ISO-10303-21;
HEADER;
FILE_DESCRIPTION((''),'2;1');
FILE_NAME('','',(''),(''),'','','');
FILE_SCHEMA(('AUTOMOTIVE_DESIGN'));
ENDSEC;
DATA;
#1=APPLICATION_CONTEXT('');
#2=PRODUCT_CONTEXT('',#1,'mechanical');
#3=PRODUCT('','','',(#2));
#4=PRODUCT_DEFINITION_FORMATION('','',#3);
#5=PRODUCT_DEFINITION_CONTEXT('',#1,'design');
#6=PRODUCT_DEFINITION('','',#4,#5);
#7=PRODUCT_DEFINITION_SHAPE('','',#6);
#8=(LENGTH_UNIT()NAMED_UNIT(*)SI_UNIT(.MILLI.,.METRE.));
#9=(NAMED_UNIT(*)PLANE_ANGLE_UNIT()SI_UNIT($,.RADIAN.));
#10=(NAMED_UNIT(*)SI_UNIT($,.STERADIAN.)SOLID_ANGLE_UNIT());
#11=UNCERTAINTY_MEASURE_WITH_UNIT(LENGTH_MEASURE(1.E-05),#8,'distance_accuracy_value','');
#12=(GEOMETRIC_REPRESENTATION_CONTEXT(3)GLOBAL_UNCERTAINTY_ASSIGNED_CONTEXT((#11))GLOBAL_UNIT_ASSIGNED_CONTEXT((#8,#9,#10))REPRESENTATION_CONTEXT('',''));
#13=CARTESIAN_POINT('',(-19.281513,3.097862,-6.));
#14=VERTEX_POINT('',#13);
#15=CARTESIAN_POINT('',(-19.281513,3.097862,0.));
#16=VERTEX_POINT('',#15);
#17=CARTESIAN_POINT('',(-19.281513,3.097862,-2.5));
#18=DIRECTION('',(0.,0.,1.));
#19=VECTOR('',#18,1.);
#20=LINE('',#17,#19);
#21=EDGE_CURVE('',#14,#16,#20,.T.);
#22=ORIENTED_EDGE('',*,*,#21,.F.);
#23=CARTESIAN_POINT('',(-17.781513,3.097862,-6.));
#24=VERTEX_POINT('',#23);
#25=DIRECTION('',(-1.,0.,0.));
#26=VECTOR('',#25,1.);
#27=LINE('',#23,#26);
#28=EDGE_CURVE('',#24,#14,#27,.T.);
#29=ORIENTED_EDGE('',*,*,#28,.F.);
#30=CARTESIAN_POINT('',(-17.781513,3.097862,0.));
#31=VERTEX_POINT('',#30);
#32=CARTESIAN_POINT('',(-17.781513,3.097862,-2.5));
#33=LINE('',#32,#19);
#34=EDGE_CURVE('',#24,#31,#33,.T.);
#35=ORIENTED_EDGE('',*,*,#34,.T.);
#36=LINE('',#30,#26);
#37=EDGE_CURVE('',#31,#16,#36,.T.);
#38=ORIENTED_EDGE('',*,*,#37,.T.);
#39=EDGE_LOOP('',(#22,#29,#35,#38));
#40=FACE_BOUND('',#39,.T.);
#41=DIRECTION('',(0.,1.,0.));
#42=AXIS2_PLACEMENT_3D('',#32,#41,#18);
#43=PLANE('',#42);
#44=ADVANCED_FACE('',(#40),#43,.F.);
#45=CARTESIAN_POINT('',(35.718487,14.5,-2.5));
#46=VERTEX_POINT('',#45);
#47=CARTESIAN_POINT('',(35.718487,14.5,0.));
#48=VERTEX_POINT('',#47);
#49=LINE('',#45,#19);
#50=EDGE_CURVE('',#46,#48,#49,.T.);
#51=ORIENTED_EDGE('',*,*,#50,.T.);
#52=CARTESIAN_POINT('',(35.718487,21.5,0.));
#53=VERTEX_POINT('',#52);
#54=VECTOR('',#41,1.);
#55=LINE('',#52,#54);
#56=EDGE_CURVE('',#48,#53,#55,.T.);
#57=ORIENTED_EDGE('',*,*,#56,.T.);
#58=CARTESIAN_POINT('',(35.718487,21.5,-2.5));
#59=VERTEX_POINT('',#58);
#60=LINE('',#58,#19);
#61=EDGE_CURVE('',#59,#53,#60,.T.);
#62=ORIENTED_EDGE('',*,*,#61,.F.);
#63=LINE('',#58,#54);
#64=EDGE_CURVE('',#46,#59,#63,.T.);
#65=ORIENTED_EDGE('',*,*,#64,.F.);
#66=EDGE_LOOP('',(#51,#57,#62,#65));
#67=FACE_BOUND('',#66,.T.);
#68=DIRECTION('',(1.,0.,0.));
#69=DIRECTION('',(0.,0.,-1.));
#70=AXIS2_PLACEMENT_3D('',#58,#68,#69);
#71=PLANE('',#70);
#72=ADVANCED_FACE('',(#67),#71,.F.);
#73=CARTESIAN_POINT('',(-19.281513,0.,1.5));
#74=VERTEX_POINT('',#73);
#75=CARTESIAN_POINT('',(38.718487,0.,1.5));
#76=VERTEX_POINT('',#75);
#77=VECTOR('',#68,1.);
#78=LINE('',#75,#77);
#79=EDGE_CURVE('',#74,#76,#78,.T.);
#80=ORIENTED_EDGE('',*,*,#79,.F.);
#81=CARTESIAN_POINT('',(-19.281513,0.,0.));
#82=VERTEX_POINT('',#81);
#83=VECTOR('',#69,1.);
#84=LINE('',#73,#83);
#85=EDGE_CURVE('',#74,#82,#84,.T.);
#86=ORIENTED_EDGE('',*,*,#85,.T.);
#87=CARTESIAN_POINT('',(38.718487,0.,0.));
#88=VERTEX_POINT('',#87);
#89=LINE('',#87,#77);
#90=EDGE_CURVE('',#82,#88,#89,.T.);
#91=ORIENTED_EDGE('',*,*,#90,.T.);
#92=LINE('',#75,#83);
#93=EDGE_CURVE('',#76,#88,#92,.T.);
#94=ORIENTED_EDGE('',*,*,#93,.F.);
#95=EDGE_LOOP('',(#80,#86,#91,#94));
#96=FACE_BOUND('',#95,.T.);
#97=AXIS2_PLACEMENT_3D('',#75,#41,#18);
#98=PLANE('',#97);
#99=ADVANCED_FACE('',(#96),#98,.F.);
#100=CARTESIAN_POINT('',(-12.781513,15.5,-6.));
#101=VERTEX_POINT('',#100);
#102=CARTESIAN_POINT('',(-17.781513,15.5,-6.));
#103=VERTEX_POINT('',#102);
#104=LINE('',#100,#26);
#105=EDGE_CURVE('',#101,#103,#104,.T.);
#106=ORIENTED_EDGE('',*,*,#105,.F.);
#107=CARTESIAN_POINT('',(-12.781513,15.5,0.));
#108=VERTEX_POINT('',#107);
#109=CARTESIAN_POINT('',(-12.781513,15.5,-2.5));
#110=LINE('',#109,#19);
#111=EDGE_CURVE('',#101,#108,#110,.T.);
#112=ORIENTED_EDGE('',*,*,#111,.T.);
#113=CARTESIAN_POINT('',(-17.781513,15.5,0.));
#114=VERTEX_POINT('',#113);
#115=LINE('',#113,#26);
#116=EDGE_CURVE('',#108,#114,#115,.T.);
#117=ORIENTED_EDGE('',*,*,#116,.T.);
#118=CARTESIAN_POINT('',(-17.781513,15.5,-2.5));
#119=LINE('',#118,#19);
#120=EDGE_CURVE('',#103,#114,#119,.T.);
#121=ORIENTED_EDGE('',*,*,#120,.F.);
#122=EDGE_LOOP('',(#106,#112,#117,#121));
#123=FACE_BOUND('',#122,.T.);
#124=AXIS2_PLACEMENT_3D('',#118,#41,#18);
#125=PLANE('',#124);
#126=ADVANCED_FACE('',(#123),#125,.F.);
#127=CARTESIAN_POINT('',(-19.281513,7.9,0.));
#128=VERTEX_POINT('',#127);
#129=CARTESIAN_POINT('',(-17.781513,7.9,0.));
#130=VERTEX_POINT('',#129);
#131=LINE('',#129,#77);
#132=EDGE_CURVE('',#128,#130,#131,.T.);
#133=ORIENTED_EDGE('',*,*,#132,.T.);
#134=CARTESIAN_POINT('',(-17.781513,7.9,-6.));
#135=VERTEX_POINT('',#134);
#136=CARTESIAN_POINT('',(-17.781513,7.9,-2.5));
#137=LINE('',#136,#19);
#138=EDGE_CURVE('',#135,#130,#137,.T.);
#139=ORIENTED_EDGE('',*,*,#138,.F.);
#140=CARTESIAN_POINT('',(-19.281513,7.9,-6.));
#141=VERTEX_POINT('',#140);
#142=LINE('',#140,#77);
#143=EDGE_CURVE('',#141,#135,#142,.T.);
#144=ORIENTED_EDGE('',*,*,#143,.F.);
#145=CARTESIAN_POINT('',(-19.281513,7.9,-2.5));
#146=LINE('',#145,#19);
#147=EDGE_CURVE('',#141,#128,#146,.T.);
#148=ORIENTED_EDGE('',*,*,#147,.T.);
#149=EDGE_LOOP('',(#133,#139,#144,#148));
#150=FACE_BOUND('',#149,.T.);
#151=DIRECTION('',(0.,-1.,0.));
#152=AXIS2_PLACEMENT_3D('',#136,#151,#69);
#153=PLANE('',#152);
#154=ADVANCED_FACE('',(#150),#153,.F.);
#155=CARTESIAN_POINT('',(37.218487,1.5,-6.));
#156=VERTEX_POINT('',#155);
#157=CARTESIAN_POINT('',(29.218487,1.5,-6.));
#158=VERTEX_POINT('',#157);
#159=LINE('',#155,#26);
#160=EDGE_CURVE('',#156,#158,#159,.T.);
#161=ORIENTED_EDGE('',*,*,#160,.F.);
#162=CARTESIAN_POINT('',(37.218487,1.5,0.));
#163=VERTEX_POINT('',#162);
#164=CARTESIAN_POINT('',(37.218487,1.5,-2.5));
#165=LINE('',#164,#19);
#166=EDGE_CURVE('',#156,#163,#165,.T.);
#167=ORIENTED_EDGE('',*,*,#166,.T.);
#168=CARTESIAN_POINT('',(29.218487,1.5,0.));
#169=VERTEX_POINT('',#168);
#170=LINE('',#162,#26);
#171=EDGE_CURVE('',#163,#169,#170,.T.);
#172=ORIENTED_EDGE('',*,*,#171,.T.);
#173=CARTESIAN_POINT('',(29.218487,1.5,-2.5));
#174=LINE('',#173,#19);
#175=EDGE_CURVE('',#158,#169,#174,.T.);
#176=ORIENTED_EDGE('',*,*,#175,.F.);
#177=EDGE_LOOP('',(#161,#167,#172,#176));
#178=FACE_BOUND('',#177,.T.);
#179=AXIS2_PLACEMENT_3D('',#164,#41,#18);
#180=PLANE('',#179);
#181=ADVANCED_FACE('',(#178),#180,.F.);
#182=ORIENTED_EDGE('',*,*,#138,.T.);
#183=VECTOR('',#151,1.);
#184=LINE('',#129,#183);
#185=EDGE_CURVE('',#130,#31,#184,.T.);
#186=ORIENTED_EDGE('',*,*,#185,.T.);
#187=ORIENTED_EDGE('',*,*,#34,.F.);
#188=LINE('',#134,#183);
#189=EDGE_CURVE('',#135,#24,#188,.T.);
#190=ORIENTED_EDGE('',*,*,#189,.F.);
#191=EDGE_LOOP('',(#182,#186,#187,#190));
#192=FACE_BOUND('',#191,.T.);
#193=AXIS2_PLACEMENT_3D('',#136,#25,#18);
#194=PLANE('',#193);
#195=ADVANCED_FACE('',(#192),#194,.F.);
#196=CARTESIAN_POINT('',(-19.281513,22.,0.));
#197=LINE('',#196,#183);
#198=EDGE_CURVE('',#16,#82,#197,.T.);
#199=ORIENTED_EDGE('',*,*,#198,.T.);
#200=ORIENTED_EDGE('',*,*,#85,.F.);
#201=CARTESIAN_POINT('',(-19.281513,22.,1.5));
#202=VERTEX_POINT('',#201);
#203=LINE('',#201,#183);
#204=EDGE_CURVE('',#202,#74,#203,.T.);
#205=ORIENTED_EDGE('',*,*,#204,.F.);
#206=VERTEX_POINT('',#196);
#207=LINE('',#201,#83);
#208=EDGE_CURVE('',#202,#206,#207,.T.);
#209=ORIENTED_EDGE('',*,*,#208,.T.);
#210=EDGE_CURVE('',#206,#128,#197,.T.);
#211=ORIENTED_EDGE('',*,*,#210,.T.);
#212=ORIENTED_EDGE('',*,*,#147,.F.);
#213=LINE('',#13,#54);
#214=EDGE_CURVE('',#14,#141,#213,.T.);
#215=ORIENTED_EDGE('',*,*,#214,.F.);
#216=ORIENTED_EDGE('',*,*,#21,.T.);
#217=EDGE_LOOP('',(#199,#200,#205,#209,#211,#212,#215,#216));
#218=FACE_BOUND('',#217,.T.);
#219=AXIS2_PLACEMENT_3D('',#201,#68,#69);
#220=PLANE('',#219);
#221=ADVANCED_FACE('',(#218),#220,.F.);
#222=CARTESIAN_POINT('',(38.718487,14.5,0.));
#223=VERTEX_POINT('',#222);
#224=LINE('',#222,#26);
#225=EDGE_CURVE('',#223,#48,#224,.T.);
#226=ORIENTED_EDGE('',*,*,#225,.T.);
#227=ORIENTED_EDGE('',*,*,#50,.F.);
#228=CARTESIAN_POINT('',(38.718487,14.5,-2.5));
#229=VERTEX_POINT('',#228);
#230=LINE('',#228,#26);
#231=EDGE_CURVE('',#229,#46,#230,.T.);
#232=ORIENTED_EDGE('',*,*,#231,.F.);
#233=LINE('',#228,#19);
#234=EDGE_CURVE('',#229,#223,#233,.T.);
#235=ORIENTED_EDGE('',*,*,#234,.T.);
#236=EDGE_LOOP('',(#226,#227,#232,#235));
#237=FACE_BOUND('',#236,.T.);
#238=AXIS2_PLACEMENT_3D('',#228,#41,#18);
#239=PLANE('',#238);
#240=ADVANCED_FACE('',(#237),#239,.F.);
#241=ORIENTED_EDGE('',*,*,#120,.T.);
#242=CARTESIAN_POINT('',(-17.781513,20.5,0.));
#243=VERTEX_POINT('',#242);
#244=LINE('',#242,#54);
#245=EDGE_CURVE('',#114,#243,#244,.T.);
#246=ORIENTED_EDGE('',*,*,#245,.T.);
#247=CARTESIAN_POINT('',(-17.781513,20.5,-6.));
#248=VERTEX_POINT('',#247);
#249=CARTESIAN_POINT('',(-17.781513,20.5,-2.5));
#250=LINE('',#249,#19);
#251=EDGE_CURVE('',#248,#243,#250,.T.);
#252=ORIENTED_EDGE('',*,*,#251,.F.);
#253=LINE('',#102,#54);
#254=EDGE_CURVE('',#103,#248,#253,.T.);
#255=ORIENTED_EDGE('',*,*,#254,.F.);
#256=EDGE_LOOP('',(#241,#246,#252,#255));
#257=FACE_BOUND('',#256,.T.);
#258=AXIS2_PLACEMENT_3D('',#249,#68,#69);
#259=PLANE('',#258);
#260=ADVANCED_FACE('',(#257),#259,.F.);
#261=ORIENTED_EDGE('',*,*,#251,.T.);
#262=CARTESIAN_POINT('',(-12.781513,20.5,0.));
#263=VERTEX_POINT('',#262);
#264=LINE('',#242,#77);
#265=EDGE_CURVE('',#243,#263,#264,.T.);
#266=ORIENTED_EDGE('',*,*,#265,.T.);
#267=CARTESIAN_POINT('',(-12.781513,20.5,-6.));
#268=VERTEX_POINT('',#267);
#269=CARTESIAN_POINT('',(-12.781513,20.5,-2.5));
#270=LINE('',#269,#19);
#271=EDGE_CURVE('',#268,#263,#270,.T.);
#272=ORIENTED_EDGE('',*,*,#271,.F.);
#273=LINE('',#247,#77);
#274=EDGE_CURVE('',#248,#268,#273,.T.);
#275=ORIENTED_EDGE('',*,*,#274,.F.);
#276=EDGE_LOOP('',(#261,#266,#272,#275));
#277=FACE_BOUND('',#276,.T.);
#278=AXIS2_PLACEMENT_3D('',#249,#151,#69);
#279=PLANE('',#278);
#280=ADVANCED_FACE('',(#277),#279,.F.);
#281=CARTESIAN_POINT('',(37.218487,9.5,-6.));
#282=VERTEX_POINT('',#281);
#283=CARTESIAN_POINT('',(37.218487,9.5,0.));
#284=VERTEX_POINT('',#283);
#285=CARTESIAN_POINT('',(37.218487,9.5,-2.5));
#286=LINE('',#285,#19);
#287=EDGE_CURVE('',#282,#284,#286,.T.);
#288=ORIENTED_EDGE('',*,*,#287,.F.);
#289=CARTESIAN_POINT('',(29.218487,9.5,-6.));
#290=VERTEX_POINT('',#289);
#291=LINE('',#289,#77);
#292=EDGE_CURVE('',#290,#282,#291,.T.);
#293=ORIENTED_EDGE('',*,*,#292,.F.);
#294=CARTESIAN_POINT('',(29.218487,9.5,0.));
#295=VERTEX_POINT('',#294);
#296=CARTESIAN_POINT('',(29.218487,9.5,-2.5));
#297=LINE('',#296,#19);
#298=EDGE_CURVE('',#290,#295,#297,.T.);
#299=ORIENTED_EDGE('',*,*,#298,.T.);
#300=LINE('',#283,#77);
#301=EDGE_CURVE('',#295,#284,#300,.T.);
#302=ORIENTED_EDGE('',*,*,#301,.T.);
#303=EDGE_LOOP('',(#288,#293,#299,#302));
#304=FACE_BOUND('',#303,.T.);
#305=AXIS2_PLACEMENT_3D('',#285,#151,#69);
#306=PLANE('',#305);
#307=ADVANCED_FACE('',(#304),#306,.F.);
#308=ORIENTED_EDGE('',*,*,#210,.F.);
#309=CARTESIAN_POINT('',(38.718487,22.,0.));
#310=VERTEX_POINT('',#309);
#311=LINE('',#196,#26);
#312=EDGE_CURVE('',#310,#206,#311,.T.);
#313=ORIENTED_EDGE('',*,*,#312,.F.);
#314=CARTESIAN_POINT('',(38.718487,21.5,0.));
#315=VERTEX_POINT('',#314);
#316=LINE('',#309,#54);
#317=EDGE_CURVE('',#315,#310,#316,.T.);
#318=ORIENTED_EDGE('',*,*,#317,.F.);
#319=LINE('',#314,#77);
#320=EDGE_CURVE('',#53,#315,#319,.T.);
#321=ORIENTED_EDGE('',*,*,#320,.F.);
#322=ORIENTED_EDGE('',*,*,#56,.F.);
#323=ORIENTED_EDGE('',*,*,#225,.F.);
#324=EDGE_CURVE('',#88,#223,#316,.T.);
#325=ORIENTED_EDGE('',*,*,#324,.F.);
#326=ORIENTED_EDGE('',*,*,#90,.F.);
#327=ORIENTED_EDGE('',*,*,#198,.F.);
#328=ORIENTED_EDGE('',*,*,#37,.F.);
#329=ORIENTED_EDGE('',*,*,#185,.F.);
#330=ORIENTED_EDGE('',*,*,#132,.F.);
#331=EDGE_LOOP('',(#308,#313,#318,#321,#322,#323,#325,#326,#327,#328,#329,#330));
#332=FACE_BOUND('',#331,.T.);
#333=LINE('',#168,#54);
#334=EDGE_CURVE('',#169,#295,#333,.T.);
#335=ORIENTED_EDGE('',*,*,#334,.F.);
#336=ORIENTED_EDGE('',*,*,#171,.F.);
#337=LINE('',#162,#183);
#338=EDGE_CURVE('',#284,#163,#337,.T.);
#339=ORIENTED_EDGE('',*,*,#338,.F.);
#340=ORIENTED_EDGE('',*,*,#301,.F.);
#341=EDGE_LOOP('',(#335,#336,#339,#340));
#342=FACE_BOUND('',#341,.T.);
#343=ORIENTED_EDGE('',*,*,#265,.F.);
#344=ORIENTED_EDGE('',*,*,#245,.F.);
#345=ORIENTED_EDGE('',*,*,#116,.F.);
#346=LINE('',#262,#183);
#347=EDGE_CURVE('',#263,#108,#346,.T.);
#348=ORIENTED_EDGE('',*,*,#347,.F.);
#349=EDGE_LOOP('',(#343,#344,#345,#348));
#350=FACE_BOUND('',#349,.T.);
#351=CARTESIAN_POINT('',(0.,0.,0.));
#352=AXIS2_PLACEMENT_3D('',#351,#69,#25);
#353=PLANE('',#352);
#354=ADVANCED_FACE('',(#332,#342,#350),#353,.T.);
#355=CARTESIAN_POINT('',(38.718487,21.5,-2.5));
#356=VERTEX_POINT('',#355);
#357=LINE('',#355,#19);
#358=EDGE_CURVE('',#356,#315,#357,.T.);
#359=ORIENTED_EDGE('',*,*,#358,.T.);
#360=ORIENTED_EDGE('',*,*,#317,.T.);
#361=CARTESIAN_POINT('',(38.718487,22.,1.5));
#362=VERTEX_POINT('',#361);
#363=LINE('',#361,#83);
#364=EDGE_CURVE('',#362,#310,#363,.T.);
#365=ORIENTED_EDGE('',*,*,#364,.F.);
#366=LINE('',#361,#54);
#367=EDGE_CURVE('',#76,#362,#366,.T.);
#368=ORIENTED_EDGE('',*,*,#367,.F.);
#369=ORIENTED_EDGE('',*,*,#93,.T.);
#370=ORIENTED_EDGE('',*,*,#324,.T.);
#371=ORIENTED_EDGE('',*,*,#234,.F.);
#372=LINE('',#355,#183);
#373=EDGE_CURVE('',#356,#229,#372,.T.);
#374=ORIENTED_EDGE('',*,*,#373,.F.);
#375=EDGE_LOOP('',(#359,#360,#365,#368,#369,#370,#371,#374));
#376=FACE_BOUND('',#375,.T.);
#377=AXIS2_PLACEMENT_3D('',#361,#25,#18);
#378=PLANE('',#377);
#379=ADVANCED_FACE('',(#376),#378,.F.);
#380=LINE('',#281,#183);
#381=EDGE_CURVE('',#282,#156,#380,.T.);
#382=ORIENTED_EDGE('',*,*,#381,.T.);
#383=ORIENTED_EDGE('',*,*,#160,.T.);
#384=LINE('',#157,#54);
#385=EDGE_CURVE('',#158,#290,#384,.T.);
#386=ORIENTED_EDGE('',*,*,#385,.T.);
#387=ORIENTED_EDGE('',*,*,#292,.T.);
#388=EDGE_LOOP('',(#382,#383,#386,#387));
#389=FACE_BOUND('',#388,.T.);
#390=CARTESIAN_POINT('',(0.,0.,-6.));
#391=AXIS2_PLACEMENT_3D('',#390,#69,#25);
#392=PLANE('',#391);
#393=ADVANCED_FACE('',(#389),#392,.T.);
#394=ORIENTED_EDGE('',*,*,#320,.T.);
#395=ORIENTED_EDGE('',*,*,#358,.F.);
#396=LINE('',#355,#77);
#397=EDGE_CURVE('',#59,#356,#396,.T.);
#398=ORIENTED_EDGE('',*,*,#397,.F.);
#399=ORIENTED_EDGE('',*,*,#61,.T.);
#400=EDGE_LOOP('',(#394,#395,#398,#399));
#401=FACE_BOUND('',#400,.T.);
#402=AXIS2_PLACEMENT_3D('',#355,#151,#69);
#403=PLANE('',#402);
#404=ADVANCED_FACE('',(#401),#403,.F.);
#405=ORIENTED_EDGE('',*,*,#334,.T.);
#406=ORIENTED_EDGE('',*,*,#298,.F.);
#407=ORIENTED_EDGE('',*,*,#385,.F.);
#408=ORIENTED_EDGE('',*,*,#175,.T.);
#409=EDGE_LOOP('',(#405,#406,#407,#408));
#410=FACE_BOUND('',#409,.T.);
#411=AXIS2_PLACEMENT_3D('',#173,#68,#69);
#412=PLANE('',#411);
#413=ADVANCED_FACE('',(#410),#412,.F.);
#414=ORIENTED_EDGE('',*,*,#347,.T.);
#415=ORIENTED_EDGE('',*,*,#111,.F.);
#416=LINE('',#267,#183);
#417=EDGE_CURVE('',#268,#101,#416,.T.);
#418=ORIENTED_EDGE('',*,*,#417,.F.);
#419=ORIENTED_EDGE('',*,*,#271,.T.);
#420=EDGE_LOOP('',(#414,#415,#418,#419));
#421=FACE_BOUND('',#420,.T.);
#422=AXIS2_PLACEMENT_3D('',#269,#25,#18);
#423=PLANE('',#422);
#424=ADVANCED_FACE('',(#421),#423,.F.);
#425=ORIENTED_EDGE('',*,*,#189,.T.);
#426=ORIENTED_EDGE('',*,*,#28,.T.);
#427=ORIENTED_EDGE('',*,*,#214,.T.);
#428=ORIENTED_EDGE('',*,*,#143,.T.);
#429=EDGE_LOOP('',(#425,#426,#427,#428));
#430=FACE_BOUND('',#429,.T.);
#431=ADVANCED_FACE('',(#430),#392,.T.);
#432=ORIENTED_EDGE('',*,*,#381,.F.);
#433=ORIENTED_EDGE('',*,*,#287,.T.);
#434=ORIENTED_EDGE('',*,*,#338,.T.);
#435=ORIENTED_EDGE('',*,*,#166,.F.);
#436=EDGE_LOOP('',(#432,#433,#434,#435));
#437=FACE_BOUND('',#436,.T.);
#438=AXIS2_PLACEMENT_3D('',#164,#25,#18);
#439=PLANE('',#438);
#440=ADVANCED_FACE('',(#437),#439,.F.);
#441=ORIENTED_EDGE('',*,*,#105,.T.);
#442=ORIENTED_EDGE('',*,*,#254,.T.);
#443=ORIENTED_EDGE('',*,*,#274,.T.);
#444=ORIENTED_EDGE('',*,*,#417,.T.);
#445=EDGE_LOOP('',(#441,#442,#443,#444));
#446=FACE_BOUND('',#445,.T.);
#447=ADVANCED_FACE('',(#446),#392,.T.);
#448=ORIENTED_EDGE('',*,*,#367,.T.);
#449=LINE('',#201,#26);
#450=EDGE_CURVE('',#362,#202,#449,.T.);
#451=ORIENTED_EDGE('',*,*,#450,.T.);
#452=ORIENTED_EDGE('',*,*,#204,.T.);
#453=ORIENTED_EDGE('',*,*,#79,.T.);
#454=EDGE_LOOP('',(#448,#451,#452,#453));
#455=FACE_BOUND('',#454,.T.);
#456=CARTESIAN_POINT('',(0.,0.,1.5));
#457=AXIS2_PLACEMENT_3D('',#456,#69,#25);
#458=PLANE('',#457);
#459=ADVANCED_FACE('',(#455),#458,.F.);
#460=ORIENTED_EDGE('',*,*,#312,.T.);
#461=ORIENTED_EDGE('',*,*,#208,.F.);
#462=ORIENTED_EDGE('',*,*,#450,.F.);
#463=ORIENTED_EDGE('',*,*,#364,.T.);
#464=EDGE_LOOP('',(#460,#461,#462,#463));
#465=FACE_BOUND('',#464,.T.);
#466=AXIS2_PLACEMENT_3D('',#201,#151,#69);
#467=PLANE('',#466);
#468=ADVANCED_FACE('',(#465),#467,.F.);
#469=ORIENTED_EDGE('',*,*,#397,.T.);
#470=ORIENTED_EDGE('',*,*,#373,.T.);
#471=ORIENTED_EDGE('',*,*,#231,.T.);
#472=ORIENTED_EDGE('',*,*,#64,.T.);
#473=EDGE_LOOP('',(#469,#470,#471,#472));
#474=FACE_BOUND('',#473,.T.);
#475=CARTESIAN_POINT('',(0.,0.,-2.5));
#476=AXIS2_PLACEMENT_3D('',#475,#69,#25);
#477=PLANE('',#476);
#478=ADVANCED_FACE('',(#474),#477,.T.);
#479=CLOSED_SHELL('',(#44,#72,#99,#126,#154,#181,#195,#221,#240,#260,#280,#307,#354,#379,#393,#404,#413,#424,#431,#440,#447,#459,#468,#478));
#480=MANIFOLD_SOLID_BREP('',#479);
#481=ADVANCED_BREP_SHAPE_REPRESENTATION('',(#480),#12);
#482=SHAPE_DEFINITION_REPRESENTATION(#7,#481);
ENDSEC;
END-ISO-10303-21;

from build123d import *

# Parameters (mm, degrees)
SKETCH1_W           = 58
SKETCH1_H           = 22
BOSS_EXTRUDE1_DEPTH = 1.5
SKETCH2_W           = 5
SKETCH2_H           = 5
SKETCH2_W_2         = 1.5
SKETCH2_H_2         = 4.802137959
SKETCH2_W_3         = 3
SKETCH2_H_3         = 7
SKETCH2_W_4         = 8
SKETCH2_H_4         = 8
BOSS_EXTRUDE2_DEPTH = 2.5
SKETCH3_W           = 1.5
SKETCH3_H           = 4.802137959
SKETCH3_W_2         = 5
SKETCH3_H_2         = 5
SKETCH3_W_3         = 8
SKETCH3_H_3         = 8
BOSS_EXTRUDE3_DEPTH = 3.5


with BuildPart() as part:
    # Sketch1 → Boss-Extrude1 (new body)
    with BuildSketch(Plane.XY):
        with Locations((9.718487395, 11)):
            Rectangle(SKETCH1_W, SKETCH1_H)
    extrude(amount=BOSS_EXTRUDE1_DEPTH)

    # Sketch2 → Boss-Extrude2 (add)
    with BuildSketch(Plane(origin=(0, 0, 0), x_dir=(-1, 0, 0), z_dir=(0, 0, -1))):
        with Locations((15.281512605, 18)):
            Rectangle(SKETCH2_W, SKETCH2_H)
        with Locations((18.531512605, 5.498931021)):
            Rectangle(SKETCH2_W_2, SKETCH2_H_2)
        with Locations((-37.218487395, 18)):
            Rectangle(SKETCH2_W_3, SKETCH2_H_3)
        with Locations((-33.218487395, 5.5)):
            Rectangle(SKETCH2_W_4, SKETCH2_H_4)
    extrude(amount=BOSS_EXTRUDE2_DEPTH)

    # Sketch3 → Boss-Extrude3 (add)
    with BuildSketch(Plane(origin=(0, 0, -2.5), x_dir=(-1, 0, 0), z_dir=(0, 0, -1))):
        with Locations((18.531512605, 5.498931021)):
            Rectangle(SKETCH3_W, SKETCH3_H)
        with Locations((15.281512605, 18)):
            Rectangle(SKETCH3_W_2, SKETCH3_H_2)
        with Locations((-33.218487395, 5.5)):
            Rectangle(SKETCH3_W_3, SKETCH3_H_3)
    extrude(amount=BOSS_EXTRUDE3_DEPTH)


solid = part.part
